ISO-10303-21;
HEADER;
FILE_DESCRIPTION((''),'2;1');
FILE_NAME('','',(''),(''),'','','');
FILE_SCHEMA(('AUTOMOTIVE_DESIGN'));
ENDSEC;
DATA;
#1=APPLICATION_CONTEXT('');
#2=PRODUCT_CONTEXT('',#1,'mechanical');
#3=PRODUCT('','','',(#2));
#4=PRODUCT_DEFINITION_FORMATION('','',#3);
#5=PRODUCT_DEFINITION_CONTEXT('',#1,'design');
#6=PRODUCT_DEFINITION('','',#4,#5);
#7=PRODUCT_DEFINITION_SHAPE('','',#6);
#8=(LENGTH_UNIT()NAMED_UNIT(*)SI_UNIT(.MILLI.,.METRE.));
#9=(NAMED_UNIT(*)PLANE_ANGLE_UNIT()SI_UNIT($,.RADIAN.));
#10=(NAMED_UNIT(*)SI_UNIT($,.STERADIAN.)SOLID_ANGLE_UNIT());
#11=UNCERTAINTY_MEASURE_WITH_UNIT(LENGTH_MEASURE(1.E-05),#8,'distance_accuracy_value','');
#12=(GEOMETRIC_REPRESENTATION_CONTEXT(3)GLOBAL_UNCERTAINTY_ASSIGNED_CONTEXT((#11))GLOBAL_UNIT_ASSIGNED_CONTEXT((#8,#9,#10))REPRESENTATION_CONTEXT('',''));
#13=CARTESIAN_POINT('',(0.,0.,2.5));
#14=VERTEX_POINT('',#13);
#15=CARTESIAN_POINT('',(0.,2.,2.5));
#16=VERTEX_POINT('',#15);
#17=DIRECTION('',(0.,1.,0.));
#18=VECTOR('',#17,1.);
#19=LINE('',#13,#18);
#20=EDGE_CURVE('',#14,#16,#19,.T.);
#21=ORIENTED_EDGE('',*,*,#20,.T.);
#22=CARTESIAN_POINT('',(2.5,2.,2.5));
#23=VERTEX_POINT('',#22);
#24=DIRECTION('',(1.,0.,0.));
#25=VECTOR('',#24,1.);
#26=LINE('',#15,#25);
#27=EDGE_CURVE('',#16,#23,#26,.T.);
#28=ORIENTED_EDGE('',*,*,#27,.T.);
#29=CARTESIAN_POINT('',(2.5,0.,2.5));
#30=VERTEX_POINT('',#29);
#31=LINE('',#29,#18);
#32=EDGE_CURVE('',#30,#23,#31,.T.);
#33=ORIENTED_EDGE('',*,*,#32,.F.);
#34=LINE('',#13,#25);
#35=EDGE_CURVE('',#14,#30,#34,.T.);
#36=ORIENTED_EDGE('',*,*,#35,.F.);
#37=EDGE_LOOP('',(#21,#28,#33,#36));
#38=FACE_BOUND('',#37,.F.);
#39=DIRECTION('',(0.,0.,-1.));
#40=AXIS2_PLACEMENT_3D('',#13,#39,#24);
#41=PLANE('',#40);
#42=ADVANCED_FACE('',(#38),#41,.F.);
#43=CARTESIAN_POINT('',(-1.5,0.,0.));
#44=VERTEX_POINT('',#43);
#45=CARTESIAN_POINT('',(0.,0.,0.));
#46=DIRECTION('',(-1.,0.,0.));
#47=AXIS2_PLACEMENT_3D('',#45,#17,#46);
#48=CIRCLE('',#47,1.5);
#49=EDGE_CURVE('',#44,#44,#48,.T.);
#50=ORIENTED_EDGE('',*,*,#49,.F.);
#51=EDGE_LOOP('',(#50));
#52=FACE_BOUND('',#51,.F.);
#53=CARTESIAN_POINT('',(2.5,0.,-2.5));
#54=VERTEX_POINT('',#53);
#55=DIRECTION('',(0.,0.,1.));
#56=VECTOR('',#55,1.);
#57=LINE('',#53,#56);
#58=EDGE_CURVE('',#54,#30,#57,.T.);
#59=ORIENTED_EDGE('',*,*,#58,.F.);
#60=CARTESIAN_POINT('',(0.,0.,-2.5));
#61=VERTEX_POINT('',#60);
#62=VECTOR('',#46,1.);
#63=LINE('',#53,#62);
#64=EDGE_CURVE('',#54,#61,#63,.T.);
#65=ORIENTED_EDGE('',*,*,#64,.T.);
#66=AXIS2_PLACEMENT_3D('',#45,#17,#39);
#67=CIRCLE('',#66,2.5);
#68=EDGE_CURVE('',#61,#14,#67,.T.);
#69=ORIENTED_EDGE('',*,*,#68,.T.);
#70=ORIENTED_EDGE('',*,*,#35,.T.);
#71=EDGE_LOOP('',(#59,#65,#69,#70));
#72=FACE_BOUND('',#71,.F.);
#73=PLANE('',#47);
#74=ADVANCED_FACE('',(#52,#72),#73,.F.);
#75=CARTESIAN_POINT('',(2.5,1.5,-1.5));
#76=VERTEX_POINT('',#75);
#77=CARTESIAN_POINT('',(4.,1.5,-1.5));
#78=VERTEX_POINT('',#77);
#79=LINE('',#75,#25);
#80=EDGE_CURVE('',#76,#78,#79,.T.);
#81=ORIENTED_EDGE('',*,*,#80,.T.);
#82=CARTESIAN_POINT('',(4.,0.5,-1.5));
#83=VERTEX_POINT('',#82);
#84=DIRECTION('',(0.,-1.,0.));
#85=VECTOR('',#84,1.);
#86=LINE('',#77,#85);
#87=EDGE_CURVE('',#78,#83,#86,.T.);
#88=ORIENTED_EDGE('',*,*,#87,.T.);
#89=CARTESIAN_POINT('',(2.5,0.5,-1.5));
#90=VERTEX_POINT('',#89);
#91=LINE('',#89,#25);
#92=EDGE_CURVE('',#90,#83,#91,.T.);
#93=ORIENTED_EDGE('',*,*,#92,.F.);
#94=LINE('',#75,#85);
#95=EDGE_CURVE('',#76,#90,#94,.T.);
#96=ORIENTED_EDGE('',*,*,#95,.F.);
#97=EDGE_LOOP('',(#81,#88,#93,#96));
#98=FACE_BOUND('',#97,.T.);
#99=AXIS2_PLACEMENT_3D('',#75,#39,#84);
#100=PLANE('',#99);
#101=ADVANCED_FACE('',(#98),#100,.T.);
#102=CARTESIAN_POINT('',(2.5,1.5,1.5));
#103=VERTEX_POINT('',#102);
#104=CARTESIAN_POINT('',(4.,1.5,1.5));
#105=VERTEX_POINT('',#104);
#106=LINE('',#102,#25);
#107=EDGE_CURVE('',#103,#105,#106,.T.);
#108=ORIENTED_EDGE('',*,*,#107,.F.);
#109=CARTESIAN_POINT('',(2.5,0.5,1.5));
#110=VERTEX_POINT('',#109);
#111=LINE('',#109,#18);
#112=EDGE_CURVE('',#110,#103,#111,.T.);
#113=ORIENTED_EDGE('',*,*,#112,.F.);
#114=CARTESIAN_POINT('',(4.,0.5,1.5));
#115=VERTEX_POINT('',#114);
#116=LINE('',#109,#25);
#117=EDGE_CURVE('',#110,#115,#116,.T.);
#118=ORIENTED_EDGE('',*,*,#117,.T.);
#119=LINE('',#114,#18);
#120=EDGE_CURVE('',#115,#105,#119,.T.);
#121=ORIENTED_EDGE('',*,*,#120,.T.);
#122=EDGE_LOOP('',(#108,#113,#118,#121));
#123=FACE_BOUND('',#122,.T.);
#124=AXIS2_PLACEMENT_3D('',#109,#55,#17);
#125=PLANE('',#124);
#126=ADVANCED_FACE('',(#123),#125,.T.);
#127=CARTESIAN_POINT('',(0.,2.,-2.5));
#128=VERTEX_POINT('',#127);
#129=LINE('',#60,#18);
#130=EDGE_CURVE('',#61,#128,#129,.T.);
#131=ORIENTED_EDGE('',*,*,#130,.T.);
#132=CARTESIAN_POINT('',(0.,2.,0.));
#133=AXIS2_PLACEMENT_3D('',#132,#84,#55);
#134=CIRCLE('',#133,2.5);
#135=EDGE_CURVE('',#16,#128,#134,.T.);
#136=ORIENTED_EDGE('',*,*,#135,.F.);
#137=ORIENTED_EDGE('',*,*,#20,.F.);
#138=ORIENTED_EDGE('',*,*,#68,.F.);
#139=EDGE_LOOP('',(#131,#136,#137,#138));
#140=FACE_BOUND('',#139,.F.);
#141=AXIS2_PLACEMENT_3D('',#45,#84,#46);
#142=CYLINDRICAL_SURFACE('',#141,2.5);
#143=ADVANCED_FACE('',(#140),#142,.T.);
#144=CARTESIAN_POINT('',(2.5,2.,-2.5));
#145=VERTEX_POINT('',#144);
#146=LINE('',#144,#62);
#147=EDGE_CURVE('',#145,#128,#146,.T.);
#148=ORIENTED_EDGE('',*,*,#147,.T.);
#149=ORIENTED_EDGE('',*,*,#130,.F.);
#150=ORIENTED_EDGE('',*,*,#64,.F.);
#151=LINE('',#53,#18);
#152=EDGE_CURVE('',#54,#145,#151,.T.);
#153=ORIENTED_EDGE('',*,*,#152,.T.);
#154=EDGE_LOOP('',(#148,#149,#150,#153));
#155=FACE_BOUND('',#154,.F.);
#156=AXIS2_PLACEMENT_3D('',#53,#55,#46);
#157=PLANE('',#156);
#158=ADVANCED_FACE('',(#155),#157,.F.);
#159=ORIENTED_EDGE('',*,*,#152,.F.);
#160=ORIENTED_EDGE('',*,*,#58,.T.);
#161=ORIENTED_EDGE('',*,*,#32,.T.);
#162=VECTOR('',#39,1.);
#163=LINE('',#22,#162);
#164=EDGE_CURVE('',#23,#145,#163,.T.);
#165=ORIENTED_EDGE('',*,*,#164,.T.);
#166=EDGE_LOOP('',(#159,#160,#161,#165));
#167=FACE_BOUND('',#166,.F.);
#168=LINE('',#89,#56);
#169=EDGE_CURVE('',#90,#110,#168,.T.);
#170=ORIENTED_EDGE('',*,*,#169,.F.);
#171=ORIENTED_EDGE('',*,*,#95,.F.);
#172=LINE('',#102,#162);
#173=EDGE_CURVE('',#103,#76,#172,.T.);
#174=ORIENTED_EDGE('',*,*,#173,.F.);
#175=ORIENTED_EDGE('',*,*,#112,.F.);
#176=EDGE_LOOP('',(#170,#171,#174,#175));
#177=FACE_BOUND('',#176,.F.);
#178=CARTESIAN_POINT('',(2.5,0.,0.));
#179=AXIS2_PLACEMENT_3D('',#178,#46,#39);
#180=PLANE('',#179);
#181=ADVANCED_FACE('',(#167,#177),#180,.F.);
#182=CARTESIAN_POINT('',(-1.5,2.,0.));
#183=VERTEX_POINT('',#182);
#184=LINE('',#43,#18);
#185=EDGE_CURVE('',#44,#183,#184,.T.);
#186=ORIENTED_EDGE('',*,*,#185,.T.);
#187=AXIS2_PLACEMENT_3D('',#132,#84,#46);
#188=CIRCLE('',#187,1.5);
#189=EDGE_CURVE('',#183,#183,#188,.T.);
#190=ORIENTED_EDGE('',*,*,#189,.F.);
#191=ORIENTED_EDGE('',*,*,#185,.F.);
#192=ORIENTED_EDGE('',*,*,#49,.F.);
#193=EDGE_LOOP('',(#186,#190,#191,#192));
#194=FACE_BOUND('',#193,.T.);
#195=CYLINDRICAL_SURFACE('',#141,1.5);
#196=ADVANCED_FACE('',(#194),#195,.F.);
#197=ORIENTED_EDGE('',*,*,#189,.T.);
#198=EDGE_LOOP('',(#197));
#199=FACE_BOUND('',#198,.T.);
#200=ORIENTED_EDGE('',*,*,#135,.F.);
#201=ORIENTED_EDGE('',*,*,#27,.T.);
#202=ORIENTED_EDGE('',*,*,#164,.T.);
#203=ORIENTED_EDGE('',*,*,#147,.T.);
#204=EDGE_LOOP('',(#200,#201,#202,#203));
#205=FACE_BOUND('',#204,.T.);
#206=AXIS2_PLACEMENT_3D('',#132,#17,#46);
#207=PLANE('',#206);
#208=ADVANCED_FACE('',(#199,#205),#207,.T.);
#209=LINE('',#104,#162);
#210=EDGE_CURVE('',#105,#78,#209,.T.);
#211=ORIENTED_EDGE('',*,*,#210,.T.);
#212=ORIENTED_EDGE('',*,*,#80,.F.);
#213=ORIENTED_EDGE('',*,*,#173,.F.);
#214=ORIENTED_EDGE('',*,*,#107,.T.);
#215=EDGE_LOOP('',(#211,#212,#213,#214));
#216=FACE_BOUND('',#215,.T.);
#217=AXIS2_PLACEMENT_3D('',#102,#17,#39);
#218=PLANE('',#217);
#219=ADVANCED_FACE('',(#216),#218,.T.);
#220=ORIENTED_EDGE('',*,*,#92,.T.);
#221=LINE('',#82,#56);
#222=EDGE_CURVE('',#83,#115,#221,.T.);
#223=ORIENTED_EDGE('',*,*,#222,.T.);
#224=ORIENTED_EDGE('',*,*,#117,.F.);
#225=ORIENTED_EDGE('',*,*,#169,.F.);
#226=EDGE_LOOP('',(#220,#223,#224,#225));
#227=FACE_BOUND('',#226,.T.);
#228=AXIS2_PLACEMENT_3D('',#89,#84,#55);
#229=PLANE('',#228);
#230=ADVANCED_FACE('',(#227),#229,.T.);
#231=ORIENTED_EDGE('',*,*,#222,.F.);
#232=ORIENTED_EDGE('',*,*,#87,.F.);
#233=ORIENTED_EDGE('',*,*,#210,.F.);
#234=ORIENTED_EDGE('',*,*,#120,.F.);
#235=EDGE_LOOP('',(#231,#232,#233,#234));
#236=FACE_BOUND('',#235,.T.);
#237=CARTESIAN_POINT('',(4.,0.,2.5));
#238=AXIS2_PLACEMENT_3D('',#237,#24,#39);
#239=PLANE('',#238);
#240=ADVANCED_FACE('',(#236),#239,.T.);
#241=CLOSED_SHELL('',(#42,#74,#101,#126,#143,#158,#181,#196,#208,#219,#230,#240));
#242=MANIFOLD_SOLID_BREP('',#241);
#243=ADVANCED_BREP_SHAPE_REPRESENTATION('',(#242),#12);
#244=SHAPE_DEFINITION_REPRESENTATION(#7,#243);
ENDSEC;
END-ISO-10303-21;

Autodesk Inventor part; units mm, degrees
ref_plane "YZ Plane" through (0, 0, 0) normal (1, 0, 0) x (0, 1, 0)
ref_plane "XZ Plane" through (0, 0, 0) normal (0, 1, 0) x (-1, 0, 0)
ref_plane "XY Plane" through (0, 0, 0) normal (0, 0, 1) x (1, 0, 0)
sketch "Sketch1" plane through (0, 0, 0) normal (0, 1, 0) x (-1, 0, 0)
  circle A0 centre (0, 0) radius 1.5
  circle A1 centre (0, 0) radius 2.5
  line L0 (0, 0) -> (2.5, 0)
  line L1 (0, 0.75) -> (2.5, 0.75)
  line L2 (0, -0.75) -> (2.5, -0.75)
  line L3 (0, 2.5) -> (-2.5, 2.5)
  line L4 (-2.5, 2.5) -> (-2.5, -2.5)
  line L5 (-2.5, -2.5) -> (0, -2.5)
  line L6 (0, -2.5) -> (0, 2.5)
  point P0 (1.299, 0.75)
  point P1 (2.3848, 0.75)
  point P2 (2.3848, -0.75)
  point P3 (1.299, -0.75)
  dimension "d0" = 3
  dimension "d1" = 5
  dimension "d2" = 0.75
  dimension "d3" = 0.75
extrude "Extrusion1" add sketch "Sketch1" along normal blind 2 contours L0 A1 L2 A0 | A0 L1 A1 L0 | A0 L6 A1 L1 | L2 A1 L6 A0 | A0 L6 A1 | A1 L4 L3 | L5 L4 A1
sketch "Sketch2" plane through (2.5, 0, 2.5) normal (1, 0, 0) x (0, 0, -1)
  line L0 (1, 1.5) -> (4, 1.5)
  line L1 (4, 1.5) -> (4, 0.5)
  line L2 (4, 0.5) -> (1, 0.5)
  line L3 (1, 0.5) -> (1, 1.5)
  line L4 (0, 0) -> (5, 0) projected
  line L5 (5, 0) -> (5, 2) projected
  point P0 (2.5, 0)
  dimension "d6" = 3
  dimension "d7" = 1
  dimension "d8" = 0.5
  dimension "d9" = 1
extrude "Extrusion2" add sketch "Sketch2" along normal blind 1.5
properties part number "AlignmentGateClosed"
